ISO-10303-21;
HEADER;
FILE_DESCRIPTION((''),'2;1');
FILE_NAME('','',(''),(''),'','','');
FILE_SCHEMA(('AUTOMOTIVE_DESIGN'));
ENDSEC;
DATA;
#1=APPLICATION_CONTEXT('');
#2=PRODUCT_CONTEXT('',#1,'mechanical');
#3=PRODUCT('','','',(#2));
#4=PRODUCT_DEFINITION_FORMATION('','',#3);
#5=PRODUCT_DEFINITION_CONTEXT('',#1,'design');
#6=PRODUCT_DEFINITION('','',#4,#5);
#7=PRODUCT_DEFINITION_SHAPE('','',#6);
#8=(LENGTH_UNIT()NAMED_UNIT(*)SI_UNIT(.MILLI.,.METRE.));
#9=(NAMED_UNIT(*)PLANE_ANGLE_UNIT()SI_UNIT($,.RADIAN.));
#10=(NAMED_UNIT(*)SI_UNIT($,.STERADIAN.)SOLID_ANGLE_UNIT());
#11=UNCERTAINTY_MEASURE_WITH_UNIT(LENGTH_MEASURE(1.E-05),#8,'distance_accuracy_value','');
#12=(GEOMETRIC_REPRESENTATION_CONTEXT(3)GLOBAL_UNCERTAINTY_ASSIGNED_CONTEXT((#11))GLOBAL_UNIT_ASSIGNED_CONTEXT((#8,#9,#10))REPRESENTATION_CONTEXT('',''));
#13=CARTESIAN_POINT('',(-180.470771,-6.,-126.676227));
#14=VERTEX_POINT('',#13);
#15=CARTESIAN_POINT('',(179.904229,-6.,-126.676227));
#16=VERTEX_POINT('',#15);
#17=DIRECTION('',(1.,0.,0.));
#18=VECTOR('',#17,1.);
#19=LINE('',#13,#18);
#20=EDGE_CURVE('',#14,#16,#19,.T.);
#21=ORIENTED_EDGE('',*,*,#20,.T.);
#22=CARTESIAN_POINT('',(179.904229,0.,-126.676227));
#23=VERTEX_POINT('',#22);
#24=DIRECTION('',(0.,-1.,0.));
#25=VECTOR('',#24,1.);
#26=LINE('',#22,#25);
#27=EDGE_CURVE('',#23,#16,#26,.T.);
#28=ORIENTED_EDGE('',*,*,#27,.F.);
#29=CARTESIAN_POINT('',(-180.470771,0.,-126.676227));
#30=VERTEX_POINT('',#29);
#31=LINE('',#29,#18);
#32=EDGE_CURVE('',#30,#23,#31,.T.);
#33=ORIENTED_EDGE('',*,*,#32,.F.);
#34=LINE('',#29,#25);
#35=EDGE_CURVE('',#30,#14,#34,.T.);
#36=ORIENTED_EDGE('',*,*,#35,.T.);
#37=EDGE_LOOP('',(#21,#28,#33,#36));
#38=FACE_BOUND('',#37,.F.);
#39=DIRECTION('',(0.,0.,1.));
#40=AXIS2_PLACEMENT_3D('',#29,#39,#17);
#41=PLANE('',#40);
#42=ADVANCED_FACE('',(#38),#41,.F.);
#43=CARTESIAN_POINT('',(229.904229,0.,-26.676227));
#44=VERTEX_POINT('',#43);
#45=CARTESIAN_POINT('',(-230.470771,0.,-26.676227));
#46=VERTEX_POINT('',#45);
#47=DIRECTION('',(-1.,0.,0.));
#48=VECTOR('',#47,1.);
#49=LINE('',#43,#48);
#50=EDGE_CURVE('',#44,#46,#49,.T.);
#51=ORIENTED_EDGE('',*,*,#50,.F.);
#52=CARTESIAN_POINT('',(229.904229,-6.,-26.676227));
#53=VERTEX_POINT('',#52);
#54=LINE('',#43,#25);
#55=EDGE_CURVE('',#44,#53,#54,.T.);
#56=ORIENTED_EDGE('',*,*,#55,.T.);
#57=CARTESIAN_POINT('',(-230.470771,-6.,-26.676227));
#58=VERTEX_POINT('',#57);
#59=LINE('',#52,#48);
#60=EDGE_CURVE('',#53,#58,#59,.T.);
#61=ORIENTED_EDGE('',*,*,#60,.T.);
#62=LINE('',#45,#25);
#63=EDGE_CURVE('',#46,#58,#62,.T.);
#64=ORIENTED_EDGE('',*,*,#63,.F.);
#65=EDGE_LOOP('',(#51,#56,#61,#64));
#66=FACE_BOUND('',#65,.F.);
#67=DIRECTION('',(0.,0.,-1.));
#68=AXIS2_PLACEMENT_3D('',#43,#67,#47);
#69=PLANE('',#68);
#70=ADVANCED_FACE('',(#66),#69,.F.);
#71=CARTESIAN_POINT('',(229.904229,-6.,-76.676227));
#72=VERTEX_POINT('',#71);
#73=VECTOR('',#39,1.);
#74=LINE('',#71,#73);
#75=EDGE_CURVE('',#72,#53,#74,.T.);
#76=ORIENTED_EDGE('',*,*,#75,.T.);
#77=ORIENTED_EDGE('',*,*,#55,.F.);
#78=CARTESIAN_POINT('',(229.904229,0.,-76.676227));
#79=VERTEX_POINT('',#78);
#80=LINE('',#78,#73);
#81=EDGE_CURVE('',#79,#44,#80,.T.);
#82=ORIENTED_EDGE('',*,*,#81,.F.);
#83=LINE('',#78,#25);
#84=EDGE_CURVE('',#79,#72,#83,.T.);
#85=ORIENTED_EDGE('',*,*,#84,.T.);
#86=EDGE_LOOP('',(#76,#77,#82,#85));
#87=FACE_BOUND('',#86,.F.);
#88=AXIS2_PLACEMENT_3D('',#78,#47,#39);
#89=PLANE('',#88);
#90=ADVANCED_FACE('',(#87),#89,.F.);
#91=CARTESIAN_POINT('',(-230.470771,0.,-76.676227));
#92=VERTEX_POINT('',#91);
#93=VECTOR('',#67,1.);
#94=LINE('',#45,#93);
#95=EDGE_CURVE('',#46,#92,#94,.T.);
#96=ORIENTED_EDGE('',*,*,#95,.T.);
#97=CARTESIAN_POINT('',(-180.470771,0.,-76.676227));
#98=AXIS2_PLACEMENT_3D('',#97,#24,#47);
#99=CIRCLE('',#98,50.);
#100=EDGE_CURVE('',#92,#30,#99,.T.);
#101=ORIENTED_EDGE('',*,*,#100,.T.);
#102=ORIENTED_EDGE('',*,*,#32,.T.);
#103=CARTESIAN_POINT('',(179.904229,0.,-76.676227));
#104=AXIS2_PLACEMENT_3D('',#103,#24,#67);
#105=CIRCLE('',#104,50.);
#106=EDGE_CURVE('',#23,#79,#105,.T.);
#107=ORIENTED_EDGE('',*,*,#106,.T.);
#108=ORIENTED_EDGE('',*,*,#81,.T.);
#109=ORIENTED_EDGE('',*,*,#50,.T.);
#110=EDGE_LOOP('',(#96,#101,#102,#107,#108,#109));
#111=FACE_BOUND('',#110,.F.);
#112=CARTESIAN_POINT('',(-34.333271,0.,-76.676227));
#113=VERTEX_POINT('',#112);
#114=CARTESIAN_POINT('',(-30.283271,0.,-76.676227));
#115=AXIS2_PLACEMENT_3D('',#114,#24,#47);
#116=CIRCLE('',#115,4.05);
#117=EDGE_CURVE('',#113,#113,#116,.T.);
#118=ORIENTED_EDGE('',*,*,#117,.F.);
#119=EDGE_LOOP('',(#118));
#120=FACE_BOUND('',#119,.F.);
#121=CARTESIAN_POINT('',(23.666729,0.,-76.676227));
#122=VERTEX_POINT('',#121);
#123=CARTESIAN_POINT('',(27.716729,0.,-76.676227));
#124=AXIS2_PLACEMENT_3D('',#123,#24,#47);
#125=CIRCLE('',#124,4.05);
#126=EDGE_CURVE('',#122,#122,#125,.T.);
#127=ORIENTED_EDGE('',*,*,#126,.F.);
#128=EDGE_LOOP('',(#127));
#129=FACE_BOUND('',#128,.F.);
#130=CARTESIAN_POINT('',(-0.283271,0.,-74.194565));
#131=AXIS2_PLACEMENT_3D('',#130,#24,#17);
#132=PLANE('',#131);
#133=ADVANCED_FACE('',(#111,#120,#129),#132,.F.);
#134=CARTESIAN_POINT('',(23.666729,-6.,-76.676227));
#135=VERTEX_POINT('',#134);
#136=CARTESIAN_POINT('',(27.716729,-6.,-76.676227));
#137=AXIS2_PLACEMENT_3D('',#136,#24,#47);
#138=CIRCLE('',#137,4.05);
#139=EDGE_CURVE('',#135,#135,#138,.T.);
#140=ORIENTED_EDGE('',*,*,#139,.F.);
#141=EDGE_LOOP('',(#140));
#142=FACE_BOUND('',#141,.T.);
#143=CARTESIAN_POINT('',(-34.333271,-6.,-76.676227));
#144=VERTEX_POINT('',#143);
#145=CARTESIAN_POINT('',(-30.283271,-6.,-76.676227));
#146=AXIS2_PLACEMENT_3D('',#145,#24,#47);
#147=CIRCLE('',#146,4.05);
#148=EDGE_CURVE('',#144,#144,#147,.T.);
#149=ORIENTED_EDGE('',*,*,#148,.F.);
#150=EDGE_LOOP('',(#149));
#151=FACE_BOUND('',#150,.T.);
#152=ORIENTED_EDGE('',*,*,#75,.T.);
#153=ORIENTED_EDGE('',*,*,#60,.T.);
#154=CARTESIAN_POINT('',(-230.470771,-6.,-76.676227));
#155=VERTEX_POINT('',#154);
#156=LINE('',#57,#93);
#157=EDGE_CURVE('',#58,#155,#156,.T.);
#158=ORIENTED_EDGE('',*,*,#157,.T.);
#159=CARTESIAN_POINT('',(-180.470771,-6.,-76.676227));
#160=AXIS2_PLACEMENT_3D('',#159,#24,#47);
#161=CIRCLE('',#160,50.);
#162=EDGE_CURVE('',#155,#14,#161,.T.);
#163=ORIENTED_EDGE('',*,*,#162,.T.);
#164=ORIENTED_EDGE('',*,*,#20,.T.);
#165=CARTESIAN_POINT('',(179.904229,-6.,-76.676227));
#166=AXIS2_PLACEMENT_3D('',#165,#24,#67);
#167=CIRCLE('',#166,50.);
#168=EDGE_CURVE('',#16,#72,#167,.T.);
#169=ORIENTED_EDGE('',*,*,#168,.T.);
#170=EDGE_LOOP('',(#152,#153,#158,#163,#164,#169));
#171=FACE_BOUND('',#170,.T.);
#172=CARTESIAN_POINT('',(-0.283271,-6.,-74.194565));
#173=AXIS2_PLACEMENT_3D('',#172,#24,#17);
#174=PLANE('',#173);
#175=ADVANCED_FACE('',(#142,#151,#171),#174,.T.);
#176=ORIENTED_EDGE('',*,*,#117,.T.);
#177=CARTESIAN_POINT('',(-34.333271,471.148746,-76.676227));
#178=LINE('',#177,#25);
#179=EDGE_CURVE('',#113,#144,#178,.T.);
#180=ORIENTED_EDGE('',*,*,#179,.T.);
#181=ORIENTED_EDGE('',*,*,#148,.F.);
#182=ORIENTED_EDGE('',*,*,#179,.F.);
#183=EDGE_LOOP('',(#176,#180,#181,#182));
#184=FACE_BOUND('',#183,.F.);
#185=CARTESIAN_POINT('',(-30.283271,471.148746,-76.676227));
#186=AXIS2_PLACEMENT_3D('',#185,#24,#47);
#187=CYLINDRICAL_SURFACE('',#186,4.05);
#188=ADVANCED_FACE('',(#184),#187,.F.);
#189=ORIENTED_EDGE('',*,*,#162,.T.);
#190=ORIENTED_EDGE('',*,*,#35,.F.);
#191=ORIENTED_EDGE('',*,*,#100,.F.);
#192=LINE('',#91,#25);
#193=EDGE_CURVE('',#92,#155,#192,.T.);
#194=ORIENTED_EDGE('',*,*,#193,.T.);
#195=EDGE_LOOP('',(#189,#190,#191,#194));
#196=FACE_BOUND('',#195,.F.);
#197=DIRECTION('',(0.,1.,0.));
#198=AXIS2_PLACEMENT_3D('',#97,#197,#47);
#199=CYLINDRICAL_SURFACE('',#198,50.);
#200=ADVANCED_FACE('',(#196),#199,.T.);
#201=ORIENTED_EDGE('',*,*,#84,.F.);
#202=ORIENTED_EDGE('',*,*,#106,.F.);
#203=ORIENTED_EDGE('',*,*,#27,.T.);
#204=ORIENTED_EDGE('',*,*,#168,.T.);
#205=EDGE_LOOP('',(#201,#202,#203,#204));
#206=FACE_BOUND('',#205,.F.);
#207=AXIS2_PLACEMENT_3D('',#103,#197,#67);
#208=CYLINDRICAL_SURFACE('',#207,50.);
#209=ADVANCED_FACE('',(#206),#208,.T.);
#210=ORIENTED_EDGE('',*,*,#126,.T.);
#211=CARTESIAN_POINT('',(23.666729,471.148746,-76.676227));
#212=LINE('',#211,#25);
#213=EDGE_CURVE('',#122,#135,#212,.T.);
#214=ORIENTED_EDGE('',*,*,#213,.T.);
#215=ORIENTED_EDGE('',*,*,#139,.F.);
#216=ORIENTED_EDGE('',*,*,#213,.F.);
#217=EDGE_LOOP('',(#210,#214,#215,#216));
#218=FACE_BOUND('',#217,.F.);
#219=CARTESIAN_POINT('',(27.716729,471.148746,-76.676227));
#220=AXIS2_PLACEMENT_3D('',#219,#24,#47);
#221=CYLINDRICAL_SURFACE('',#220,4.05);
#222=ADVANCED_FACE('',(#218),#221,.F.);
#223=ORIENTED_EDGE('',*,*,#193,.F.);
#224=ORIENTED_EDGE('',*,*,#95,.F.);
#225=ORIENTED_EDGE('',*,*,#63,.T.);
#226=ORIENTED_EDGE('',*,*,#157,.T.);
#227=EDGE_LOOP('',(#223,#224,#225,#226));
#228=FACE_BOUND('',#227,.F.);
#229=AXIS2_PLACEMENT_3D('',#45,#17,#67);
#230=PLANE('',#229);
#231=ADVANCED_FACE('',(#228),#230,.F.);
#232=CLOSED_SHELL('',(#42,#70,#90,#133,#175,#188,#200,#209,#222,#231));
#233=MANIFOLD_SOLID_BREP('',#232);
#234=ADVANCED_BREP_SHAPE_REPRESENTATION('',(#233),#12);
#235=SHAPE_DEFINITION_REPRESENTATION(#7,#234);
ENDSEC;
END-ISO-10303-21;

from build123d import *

# Parameters (mm, degrees)
F1_DEPTH = 6
F2_D     = 8.1


with BuildPart() as f1:
    # F0 (on Front) → F1 (new body)
    with BuildSketch(Plane.XZ):
        with BuildLine():
            Line((229.9042289257, -26.6762265607), (-230.4707710743, -26.6762265607))
            Line((-230.4707710743, -26.6762265607), (-230.4707710743, -76.6762265607))
            ThreePointArc((-230.4707710743, -76.6762265607), (-215.8261101336, -112.0315656201), (-180.4707710743, -126.6762265607))
            Line((-180.4707710743, -126.6762265607), (179.9042289257, -126.6762265607))
            ThreePointArc((179.9042289257, -126.6762265607), (215.259567985, -112.0315656201), (229.9042289257, -76.6762265607))
            Line((229.9042289257, -76.6762265607), (229.9042289257, -26.6762265607))
        make_face()
    extrude(amount=F1_DEPTH)

    # F2 (through all)
    with Locations(Plane(origin=(0, 0, 0), x_dir=(1, 0, 0), z_dir=(0, 1, 0))):
        with Locations((-30.2832710743, 76.6762265607), (27.7167289257, 76.6762265607)):
            Hole(F2_D / 2)


solid = f1.part
